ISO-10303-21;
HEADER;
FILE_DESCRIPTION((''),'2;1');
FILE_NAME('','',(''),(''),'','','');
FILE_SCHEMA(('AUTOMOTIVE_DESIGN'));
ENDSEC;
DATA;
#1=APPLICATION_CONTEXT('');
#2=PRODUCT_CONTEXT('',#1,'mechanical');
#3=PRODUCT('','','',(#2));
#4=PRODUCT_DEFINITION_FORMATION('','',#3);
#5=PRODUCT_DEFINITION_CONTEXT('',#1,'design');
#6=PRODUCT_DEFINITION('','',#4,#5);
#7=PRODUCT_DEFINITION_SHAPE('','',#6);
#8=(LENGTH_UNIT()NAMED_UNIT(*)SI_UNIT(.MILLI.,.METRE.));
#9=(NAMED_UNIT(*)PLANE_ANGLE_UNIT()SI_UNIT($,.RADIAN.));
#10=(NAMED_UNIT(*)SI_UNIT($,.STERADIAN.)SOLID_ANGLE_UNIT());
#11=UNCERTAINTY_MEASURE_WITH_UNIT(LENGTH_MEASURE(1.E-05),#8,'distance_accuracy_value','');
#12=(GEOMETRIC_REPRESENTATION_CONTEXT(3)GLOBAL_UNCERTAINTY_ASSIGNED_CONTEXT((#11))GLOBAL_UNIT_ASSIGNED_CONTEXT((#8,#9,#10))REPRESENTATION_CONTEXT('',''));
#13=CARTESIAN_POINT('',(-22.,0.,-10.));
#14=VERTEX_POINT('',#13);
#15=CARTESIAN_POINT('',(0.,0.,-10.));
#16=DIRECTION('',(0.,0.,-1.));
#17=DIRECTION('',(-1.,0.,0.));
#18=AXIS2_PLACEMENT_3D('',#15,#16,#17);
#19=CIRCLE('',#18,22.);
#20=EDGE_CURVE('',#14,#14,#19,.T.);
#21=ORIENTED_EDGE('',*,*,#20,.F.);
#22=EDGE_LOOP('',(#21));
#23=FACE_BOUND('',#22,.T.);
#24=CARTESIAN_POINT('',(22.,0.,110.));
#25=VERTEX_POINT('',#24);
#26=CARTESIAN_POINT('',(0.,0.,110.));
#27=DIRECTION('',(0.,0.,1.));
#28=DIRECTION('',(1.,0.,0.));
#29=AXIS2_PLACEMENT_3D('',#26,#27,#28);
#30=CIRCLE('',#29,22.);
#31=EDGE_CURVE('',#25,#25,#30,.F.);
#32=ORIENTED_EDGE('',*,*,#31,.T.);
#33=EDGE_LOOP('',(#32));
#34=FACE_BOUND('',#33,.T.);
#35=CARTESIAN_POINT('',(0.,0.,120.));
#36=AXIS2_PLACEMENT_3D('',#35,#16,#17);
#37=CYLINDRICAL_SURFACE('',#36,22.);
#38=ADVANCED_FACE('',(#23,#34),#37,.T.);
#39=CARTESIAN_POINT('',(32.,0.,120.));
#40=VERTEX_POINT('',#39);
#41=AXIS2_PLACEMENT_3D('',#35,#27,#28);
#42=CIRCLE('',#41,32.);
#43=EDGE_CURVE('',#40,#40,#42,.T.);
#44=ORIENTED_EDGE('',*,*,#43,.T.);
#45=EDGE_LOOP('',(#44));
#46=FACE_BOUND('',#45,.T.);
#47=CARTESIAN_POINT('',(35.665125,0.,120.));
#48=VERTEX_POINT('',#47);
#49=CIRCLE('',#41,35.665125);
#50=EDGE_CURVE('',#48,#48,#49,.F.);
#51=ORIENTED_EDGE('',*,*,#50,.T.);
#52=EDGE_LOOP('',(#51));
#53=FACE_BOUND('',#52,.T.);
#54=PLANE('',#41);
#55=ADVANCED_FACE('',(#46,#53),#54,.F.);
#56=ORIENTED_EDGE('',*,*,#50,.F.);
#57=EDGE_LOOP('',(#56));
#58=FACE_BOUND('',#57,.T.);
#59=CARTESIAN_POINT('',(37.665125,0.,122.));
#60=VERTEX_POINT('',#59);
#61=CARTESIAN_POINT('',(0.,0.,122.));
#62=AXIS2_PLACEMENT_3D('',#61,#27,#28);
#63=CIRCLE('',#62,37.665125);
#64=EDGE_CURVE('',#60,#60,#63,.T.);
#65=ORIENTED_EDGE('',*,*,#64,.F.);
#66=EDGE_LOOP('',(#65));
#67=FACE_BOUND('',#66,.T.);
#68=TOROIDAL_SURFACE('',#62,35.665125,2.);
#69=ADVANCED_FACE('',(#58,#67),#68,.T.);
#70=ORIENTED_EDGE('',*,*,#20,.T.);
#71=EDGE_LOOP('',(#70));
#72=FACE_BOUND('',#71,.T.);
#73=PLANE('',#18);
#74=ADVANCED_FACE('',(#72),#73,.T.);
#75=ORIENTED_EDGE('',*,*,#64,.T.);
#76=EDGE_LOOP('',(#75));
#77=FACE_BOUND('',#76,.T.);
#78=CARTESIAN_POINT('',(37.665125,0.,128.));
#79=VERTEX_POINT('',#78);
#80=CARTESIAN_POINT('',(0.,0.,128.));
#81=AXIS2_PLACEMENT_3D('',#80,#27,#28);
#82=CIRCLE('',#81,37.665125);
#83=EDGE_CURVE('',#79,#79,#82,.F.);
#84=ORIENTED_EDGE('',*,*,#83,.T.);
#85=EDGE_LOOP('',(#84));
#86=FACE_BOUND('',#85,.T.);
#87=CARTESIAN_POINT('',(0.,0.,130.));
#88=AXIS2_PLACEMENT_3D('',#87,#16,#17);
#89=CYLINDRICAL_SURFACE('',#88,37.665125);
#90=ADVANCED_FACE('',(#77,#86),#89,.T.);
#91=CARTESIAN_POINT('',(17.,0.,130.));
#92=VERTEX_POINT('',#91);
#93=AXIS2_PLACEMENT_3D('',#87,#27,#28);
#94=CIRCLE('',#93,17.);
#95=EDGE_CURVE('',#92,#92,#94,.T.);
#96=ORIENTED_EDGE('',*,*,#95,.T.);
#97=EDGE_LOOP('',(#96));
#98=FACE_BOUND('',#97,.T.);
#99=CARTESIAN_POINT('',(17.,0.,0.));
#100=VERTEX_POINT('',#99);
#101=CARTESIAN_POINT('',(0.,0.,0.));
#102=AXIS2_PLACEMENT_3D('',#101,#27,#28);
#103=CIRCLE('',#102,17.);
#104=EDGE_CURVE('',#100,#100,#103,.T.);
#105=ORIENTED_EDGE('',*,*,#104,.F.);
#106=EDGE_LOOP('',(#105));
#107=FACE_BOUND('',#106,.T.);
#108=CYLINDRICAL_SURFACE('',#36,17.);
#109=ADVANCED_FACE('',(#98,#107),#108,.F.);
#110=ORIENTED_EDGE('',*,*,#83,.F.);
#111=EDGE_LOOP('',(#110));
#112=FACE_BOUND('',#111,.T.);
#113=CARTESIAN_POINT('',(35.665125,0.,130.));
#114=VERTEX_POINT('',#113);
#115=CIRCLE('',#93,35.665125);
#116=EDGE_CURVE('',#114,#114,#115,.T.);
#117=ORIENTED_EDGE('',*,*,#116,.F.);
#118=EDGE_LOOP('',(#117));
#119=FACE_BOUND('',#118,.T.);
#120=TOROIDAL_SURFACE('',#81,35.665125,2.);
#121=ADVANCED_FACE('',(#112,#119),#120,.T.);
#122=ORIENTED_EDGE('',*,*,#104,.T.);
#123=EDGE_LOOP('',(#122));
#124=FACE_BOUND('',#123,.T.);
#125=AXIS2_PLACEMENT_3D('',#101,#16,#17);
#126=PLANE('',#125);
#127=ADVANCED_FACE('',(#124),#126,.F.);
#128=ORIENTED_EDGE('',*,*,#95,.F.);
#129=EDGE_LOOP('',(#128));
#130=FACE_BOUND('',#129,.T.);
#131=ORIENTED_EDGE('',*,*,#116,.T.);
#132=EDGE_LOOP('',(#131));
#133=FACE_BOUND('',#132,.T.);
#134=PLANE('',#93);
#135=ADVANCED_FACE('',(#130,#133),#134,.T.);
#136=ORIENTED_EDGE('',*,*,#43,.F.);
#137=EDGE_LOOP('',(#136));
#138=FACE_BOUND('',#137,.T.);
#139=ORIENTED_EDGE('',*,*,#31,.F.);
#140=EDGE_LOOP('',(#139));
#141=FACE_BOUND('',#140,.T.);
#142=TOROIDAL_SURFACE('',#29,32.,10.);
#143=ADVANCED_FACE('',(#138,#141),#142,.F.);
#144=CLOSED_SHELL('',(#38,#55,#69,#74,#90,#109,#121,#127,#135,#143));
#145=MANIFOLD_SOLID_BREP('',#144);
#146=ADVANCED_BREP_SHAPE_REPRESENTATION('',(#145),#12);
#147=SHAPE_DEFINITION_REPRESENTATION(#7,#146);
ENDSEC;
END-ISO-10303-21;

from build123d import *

# Parameters (mm, degrees)
ESBO_O1_R                = 22
ESBO_O1_R_2              = 17
RESSALTO_EXTRUS_O1_DEPTH = 120
ESBO_O2_R                = 37.66512487
ESBO_O2_R_2              = 17
RESSALTO_EXTRUS_O2_DEPTH = 10
FILETE1_R                = 10
FILETE2_R                = 2
RESSALTO_EXTRUS_O3_START = 10
ESBO_O3_R                = 22
RESSALTO_EXTRUS_O3_DEPTH = 10


with BuildPart() as part:
    # Esboço1 → Ressalto-extrusão1 (new body)
    with BuildSketch(Plane.XY):
        Circle(ESBO_O1_R)
        Circle(ESBO_O1_R_2, mode=Mode.SUBTRACT)
    extrude(amount=RESSALTO_EXTRUS_O1_DEPTH)

    # Esboço2 → Ressalto-extrusão2 (add)
    with BuildSketch(Plane.XY.offset(120)):
        Circle(ESBO_O2_R)
        Circle(ESBO_O2_R_2, mode=Mode.SUBTRACT)
    extrude(amount=RESSALTO_EXTRUS_O2_DEPTH)

    # Filete1
    filete1_edges = [part.edges().sort_by_distance(p)[0] for p in [
        (-22, 0, 120),
    ]]
    fillet(filete1_edges, radius=FILETE1_R)

    # Filete2
    filete2_edges = [part.edges().sort_by_distance(p)[0] for p in [
        (-37.66512487, 0, 130),
        (-37.66512487, 0, 120),
    ]]
    fillet(filete2_edges, radius=FILETE2_R)

    # Esboço3 → Ressalto-extrusão3 (add)
    with BuildSketch(Plane(origin=(0, 0, 0), x_dir=(-1, 0, 0), z_dir=(0, 0, -1)).offset(RESSALTO_EXTRUS_O3_START)):
        Circle(ESBO_O3_R)
    extrude(amount=-RESSALTO_EXTRUS_O3_DEPTH)


solid = part.part
